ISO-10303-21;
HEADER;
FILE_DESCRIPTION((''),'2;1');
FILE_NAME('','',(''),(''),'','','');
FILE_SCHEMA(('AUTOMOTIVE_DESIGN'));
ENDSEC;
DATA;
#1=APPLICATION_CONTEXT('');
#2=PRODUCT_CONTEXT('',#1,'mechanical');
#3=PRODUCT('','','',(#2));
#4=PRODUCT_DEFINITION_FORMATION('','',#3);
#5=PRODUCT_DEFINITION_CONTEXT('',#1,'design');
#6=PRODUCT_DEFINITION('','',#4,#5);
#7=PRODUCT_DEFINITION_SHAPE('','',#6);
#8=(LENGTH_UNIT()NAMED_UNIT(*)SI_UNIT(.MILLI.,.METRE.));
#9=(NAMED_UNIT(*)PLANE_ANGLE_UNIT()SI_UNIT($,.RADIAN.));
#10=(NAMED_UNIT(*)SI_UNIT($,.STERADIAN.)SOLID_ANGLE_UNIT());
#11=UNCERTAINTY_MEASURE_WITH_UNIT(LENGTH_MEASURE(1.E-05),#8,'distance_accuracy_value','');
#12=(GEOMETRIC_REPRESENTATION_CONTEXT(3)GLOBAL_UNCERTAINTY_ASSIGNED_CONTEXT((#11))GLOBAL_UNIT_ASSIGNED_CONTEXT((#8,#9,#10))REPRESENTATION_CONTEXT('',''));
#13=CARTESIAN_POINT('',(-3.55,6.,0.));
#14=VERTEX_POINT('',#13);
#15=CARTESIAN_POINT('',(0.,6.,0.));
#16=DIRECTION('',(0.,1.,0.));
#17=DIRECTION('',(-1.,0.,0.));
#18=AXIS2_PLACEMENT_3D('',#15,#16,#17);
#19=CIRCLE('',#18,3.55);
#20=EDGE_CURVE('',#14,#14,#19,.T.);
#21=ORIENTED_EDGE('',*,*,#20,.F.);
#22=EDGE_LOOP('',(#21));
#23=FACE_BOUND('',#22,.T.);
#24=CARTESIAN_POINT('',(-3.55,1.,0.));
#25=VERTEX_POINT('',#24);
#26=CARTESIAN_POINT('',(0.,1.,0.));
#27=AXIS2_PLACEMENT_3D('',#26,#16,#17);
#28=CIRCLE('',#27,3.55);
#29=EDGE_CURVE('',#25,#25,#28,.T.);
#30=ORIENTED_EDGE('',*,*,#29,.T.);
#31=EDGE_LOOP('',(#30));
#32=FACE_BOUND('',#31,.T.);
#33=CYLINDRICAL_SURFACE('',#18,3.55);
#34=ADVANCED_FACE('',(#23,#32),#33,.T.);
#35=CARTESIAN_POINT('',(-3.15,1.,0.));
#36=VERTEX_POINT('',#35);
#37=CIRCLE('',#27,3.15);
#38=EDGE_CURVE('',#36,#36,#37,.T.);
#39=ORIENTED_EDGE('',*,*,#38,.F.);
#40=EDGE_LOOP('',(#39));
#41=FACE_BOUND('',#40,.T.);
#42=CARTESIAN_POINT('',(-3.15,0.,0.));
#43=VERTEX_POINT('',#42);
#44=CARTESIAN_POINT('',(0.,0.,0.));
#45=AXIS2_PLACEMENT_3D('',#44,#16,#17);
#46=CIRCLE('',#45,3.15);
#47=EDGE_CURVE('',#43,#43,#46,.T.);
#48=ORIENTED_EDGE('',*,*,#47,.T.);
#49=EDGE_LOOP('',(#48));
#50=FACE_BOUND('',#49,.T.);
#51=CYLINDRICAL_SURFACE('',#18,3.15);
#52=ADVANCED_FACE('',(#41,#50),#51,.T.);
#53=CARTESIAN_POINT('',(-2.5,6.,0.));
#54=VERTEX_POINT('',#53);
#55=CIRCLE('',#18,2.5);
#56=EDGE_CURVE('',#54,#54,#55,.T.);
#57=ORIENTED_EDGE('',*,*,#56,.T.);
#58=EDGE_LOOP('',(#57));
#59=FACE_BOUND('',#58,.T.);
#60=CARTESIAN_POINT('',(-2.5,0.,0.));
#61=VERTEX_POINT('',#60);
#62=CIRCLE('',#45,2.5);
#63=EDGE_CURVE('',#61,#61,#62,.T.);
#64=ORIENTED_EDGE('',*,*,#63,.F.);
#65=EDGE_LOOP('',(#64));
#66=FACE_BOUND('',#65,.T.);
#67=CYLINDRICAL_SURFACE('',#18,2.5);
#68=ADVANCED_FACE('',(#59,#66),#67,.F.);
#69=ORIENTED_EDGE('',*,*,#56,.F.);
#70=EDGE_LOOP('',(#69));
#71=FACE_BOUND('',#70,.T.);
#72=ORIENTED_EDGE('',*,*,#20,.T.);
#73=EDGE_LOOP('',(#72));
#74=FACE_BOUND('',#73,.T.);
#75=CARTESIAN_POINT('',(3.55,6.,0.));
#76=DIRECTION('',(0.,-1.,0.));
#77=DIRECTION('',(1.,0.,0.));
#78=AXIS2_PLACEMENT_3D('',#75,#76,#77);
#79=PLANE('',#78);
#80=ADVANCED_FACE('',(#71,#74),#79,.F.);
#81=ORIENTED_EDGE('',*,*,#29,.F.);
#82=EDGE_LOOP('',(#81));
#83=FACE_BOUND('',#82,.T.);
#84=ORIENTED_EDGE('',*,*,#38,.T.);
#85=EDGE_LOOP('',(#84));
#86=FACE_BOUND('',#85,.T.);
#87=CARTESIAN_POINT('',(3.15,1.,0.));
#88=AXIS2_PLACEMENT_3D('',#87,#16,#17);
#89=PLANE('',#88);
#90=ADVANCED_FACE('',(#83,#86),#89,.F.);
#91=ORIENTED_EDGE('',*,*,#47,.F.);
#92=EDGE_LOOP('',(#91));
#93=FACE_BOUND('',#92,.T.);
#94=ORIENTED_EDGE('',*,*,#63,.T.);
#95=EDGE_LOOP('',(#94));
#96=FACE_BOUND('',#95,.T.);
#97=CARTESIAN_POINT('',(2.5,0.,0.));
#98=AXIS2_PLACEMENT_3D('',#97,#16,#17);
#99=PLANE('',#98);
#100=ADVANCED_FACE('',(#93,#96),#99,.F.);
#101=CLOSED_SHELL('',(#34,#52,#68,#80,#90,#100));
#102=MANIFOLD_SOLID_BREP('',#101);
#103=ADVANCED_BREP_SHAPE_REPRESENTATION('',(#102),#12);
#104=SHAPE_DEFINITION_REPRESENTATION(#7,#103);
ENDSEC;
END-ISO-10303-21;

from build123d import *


with BuildPart() as part:
    # Sketch1 → Revolve1 (revolve)
    with BuildSketch(Plane.XY, mode=Mode.PRIVATE) as revolve1_sk:
        Polygon((2.5, 0), (3.15, 0), (3.15, 1), (3.55, 1), (3.55, 6), (2.5, 6), align=None)
    revolve(revolve1_sk.sketch.rotate(Axis((0, 6, 0), (0, -1, 0)), 180), axis=Axis((0, 6, 0), (0, -1, 0)))


solid = part.part
